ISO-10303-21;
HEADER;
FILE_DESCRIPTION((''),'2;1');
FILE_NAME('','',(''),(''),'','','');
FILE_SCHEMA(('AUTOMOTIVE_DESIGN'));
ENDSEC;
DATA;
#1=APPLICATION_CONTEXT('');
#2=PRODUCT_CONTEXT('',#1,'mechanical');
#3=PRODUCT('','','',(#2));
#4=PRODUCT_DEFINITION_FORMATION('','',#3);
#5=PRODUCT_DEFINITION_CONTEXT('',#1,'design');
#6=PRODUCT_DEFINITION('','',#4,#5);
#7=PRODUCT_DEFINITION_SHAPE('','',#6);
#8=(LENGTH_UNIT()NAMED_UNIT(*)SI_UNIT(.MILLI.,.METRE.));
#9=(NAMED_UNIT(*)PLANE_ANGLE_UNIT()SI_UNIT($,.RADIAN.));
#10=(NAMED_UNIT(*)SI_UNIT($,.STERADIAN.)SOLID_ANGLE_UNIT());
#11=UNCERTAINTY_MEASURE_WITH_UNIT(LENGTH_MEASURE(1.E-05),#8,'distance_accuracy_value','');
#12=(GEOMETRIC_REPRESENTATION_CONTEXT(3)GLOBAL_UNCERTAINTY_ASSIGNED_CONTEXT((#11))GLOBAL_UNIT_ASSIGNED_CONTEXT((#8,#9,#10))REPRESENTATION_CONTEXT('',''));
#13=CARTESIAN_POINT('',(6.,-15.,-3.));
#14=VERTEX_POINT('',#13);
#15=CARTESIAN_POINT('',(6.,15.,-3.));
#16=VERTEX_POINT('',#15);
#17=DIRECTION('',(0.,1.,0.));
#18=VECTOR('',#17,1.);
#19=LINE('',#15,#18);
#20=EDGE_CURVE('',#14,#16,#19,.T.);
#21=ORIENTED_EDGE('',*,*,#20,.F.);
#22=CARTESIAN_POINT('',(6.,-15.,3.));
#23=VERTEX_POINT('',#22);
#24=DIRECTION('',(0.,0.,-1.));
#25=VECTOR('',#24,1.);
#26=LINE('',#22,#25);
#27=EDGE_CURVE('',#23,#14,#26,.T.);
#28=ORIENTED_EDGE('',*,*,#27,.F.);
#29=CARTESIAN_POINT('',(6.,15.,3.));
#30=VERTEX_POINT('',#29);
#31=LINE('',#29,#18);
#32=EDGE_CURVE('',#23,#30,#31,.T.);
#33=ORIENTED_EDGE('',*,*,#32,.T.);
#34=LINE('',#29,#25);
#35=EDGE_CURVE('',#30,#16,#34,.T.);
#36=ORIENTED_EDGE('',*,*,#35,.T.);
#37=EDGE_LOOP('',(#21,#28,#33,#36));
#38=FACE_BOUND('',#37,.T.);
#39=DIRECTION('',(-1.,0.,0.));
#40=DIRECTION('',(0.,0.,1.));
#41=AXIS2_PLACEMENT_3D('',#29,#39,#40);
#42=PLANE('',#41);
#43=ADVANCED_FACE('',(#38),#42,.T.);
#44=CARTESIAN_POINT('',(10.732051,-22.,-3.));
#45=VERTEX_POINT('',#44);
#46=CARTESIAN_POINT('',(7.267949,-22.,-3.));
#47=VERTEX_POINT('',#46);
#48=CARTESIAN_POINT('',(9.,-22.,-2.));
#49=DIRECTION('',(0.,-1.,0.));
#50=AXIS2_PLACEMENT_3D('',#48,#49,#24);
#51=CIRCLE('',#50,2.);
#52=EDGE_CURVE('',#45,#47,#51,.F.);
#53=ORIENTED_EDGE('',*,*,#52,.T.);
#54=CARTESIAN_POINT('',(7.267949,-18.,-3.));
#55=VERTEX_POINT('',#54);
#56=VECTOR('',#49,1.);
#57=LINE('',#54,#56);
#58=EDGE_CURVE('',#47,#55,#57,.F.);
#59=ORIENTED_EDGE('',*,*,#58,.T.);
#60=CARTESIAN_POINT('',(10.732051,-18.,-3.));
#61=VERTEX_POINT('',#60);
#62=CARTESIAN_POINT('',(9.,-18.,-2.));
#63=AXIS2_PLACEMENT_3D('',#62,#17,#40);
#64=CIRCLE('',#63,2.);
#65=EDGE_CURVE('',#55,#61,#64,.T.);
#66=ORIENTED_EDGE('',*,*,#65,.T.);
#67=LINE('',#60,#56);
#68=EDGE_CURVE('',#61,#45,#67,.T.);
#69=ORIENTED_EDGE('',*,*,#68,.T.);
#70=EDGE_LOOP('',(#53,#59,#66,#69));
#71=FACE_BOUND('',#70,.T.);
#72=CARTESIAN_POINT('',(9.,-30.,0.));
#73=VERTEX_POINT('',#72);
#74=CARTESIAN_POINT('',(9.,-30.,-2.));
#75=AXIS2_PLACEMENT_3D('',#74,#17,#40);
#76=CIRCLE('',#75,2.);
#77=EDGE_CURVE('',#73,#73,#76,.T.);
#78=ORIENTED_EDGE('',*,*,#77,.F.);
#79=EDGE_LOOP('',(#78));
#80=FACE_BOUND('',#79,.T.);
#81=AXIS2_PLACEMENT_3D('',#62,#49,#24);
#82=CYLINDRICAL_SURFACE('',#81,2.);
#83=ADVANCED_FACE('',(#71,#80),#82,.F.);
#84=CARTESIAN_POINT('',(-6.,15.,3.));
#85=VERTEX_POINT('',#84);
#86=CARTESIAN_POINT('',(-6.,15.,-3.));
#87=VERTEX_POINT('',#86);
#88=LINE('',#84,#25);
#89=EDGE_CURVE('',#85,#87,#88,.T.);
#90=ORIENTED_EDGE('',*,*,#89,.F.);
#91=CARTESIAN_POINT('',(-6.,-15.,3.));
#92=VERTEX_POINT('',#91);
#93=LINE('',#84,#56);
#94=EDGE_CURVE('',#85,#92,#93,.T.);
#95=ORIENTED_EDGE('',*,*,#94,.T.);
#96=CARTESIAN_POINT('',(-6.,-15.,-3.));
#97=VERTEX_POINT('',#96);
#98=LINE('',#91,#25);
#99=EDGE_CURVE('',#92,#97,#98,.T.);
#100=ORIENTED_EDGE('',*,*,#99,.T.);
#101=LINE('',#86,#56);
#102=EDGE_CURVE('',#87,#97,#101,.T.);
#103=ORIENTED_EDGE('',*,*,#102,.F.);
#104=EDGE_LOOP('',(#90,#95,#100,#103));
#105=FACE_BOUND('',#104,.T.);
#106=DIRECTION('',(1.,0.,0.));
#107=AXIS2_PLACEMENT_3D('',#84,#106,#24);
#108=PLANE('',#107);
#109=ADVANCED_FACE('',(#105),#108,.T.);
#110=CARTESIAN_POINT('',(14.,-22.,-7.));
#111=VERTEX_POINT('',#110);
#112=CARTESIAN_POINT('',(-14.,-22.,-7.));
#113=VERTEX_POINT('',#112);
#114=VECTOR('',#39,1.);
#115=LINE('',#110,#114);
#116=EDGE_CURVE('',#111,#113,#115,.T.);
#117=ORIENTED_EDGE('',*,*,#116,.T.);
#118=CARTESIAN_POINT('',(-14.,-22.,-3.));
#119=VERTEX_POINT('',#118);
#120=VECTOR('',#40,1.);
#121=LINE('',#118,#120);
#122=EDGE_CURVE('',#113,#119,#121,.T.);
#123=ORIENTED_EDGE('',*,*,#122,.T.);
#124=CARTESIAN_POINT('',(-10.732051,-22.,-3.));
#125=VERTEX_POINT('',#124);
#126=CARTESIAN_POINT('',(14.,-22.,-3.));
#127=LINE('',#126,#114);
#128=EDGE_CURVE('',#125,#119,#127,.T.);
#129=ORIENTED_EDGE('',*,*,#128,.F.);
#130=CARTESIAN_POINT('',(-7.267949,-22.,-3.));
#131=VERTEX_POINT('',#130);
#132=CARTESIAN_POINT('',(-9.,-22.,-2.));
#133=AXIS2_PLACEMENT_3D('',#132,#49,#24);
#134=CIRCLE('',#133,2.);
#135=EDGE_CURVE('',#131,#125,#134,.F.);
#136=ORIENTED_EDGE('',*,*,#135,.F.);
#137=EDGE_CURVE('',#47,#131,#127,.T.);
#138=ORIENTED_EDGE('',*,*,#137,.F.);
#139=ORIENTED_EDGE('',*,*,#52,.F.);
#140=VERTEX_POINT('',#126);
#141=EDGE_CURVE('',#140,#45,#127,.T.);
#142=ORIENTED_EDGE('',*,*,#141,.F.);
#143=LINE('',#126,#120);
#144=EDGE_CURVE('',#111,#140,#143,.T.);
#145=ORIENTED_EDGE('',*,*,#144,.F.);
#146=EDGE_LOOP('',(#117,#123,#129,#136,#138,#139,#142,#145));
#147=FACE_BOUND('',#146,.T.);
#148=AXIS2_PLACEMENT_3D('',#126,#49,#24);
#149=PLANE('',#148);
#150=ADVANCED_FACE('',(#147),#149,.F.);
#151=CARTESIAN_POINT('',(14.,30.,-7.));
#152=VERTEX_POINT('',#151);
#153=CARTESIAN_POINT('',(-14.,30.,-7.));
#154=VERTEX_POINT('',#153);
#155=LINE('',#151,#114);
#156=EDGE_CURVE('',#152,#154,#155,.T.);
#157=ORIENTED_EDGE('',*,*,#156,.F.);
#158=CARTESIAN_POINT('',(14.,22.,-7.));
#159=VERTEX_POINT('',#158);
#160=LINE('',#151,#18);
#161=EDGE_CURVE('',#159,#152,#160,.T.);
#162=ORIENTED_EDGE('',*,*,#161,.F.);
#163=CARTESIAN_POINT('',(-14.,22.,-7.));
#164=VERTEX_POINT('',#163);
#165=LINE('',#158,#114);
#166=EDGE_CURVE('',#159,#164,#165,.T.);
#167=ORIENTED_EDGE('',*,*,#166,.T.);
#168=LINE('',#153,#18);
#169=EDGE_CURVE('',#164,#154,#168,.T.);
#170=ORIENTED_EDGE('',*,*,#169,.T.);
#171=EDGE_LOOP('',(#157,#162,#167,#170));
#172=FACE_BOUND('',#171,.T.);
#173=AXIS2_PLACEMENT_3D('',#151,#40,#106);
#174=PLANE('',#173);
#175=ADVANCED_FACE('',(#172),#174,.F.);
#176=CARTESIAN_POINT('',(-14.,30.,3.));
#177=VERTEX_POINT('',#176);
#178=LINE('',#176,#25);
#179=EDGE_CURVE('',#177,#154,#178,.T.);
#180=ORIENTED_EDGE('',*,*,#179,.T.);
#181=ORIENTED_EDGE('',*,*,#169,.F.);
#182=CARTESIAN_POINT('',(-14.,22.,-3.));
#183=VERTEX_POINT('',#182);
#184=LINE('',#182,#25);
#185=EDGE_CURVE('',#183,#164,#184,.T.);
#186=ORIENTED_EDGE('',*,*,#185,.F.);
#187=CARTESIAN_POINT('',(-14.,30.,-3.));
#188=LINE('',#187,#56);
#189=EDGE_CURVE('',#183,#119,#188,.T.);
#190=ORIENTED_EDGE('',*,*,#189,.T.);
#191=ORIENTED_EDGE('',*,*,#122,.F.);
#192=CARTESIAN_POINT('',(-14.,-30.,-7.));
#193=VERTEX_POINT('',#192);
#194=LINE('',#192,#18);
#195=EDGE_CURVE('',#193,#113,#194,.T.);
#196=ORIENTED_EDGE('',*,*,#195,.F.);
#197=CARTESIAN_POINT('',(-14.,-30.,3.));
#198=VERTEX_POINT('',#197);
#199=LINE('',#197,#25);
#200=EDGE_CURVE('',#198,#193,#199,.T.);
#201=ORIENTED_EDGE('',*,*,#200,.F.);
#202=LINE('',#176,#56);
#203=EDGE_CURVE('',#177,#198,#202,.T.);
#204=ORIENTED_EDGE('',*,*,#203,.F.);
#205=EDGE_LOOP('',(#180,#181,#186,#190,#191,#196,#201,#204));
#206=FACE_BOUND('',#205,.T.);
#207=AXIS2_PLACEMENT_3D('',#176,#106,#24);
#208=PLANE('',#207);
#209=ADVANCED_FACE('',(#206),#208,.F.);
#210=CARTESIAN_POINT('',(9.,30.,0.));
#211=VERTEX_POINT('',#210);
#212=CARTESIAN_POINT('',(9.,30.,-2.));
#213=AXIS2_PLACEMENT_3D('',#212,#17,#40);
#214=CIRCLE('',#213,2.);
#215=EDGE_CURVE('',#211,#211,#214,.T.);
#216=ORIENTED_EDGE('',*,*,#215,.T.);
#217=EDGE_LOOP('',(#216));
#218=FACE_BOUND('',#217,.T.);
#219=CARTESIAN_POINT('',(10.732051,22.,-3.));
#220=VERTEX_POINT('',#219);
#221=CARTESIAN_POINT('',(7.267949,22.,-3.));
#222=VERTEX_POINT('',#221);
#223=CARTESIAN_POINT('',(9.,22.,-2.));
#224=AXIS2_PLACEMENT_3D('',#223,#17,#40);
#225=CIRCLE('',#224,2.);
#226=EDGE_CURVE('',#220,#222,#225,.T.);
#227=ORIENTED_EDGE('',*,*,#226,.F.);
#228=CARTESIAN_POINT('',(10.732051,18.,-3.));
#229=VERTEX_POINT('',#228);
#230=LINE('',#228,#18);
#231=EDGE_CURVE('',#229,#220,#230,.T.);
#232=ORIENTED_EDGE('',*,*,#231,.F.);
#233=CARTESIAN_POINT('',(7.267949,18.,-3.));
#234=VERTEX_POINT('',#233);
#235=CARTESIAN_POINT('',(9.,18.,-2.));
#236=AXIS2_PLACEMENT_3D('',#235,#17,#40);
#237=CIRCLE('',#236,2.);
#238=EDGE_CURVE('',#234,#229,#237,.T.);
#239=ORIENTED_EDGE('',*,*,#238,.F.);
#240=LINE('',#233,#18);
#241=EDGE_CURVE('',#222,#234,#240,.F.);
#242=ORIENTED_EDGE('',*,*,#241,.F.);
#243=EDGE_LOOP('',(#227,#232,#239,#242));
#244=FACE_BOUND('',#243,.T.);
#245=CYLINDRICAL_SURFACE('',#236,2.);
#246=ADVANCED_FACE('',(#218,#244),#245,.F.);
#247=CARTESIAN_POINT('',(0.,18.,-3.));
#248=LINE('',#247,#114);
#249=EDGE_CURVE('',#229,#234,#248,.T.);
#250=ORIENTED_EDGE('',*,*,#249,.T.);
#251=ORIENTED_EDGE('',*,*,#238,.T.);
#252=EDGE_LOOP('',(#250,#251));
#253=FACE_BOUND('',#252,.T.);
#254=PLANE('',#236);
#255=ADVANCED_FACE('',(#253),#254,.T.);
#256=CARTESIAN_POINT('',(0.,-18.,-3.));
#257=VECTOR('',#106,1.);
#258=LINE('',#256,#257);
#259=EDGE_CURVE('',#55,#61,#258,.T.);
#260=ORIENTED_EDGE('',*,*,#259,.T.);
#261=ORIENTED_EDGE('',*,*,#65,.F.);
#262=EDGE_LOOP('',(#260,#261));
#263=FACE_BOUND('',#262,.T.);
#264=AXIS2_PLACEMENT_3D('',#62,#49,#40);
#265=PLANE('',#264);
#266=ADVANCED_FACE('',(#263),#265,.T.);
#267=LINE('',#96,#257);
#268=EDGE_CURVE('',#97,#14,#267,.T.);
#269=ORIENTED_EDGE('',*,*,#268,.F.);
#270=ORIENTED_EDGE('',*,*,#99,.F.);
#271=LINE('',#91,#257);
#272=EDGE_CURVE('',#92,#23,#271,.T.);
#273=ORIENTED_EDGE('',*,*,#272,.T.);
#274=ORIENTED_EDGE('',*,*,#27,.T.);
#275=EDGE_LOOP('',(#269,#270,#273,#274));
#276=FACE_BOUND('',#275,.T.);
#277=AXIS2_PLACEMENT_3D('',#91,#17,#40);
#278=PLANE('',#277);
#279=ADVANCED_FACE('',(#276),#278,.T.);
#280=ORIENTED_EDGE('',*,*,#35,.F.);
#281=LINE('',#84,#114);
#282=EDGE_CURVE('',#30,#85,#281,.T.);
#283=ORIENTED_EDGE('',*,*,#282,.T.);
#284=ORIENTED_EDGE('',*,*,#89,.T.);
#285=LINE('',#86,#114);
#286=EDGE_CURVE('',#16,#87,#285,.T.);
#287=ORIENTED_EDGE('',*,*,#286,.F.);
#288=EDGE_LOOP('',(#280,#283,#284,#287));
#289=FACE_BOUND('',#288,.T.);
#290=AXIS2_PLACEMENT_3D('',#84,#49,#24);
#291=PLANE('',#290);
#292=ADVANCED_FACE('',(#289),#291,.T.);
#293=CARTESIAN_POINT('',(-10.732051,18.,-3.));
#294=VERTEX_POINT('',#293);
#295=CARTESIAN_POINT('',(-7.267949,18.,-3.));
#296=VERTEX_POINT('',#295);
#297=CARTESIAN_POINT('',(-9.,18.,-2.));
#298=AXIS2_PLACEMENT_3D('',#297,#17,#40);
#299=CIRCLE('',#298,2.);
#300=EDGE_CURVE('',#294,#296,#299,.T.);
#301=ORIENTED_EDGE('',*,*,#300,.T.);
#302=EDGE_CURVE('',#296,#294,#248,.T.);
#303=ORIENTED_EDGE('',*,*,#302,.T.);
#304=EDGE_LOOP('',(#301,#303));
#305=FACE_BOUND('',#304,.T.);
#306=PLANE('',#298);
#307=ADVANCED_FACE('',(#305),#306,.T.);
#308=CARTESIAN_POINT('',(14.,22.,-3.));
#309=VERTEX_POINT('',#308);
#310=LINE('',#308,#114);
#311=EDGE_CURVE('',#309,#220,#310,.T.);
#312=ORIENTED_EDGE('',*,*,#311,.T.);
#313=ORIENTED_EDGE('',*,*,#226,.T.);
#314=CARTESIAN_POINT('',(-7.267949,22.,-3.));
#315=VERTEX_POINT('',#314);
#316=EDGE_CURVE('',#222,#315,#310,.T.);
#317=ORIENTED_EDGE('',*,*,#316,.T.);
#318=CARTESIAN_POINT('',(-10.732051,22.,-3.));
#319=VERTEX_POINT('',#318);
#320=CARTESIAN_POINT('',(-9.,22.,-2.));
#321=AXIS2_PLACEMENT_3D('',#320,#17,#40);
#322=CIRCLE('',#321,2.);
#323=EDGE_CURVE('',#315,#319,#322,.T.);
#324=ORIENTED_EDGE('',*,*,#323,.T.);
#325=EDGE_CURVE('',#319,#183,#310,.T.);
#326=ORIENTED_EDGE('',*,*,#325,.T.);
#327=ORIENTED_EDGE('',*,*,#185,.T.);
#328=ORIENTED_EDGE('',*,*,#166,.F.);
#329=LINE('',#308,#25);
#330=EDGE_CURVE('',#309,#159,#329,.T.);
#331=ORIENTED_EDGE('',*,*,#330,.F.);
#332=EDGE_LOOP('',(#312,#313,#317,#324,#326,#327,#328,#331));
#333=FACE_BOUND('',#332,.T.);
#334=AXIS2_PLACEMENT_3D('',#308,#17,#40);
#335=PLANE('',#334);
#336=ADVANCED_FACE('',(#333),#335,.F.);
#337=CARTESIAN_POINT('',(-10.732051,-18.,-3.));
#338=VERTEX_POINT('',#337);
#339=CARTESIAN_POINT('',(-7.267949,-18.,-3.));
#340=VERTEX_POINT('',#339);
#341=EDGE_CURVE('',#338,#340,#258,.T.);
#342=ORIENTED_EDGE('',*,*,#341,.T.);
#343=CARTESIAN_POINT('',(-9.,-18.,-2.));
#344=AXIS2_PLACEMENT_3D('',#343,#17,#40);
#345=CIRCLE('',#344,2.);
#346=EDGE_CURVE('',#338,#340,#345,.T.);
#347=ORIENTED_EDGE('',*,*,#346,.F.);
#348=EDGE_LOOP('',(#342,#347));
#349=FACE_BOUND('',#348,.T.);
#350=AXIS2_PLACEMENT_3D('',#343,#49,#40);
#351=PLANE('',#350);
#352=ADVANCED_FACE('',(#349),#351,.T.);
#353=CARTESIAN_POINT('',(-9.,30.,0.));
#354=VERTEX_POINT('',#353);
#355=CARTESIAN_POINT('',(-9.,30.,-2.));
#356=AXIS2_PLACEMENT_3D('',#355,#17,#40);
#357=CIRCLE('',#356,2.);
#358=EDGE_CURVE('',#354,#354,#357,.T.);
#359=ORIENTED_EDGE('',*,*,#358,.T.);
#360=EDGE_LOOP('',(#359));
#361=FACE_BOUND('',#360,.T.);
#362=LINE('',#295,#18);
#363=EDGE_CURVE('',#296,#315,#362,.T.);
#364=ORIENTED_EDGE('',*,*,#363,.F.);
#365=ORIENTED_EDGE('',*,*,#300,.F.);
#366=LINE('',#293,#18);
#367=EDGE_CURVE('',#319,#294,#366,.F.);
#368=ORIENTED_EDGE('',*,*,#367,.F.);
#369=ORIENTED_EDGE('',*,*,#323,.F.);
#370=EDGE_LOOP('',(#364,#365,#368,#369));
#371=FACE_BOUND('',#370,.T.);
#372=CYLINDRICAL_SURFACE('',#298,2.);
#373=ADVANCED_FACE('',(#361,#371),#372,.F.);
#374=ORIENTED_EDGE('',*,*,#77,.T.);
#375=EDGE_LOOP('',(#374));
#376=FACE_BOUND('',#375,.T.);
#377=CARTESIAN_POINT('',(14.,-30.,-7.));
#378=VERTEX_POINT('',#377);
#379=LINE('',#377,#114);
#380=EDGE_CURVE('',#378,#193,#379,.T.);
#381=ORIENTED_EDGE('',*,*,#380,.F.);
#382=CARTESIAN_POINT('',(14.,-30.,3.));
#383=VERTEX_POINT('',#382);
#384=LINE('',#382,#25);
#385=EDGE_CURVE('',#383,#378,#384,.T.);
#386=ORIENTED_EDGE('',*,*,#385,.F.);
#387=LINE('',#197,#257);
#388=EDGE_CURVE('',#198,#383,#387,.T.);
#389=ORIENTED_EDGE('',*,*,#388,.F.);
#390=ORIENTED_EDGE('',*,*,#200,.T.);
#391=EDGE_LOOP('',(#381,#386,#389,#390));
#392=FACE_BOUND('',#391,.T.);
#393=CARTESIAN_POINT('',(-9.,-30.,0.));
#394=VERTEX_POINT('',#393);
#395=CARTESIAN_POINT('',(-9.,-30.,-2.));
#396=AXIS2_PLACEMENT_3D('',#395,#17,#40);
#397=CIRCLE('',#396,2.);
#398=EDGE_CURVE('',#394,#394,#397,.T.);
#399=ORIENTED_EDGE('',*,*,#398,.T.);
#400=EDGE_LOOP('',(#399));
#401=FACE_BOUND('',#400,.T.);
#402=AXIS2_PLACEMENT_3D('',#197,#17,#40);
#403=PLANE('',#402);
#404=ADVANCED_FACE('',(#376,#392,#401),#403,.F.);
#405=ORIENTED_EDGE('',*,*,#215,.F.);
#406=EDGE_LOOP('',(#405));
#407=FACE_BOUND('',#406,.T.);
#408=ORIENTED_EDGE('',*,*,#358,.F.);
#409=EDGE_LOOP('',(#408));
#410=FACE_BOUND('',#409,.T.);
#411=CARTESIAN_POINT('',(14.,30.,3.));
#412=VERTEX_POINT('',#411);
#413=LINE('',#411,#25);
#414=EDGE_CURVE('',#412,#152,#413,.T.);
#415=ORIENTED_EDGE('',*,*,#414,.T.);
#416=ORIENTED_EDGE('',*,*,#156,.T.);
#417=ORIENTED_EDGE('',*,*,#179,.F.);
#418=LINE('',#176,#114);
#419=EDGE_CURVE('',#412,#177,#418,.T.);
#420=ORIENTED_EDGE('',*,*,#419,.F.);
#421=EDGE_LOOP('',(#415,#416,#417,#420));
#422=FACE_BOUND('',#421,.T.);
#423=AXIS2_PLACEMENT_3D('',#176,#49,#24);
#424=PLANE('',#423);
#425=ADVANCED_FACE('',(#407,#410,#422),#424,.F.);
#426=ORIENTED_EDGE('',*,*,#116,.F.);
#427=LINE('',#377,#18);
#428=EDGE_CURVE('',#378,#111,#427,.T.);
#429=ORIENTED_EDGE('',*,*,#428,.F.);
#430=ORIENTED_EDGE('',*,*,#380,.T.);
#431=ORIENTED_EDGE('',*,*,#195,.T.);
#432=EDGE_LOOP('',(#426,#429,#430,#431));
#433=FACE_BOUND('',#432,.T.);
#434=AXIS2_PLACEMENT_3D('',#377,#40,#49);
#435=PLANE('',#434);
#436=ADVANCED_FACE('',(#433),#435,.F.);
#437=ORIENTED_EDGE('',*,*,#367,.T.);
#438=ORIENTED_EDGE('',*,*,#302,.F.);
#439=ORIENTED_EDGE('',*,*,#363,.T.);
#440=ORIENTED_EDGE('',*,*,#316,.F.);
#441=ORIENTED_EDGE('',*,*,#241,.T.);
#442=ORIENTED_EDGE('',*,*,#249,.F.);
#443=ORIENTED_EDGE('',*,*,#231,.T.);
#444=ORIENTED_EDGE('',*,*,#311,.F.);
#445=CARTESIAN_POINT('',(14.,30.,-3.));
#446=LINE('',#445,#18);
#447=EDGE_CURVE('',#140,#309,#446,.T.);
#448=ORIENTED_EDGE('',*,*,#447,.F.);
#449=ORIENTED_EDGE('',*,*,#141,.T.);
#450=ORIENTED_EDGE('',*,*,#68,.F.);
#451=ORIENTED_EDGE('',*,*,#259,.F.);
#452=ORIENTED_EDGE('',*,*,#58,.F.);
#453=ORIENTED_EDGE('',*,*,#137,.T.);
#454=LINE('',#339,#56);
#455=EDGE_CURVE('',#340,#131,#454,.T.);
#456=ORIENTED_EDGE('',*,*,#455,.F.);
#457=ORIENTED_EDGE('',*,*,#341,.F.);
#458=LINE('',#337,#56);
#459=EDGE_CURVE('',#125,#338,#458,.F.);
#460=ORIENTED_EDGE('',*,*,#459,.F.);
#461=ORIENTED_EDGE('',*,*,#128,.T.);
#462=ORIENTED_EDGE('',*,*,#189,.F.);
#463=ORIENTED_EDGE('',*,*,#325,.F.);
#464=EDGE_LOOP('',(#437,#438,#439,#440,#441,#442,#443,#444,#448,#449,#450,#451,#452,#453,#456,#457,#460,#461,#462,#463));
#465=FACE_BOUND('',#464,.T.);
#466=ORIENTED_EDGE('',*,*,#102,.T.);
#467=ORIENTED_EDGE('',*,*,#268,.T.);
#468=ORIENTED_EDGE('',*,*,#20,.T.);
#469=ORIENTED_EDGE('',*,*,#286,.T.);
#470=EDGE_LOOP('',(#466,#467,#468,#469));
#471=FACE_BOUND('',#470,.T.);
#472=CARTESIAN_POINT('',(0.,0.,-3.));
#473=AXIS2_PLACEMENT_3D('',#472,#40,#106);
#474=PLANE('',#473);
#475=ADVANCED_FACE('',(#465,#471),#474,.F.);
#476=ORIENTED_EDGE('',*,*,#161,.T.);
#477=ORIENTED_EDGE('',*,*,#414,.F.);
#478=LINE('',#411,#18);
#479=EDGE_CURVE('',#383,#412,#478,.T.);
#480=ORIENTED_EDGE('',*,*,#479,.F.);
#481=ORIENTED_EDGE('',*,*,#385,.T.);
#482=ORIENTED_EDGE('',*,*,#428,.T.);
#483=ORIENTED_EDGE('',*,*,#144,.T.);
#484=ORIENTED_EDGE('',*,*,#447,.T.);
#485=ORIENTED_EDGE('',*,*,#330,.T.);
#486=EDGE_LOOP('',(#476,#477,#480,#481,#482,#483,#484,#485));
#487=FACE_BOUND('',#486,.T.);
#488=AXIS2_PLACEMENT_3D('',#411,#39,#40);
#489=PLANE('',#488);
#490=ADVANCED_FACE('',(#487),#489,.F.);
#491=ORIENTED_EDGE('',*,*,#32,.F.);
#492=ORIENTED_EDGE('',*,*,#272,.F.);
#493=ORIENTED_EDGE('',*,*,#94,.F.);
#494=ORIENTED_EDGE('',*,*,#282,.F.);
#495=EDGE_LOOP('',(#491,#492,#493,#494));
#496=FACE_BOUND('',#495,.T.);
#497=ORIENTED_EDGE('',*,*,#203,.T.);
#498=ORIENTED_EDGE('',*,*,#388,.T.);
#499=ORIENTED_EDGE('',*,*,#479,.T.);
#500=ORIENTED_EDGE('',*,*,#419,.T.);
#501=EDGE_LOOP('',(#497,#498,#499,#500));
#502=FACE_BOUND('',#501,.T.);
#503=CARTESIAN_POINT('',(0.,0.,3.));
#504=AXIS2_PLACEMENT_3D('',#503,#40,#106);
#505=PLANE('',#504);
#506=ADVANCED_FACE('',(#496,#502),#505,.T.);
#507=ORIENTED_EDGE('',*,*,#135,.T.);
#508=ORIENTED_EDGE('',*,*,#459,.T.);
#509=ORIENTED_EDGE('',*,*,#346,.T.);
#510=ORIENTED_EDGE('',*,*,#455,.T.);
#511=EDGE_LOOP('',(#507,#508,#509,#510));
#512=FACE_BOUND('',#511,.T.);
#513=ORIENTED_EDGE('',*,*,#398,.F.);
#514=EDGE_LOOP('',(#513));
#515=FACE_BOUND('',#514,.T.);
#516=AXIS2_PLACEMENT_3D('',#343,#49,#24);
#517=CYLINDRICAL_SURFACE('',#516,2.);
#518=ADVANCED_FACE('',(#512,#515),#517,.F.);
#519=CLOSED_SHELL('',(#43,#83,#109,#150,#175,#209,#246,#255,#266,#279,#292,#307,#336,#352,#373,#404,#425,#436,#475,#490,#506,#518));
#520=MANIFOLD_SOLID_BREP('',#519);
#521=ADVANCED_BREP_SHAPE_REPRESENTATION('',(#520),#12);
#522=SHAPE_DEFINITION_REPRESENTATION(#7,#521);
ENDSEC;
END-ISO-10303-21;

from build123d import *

# Parameters (mm, degrees)
SKETCH_1_W          = 28
SKETCH_1_H          = 60
SKETCH_1_W_2        = 12
SKETCH_1_H_2        = 30
EXTRUDE_1_DEPTH     = 3
SKETCH_3_W          = 4
SKETCH_3_H          = 8
EXTRUDE_2_DEPTH     = 14
SKETCH_2_R          = 2
CUT_EXTRUDE_1_DEPTH = 12


with BuildPart() as part:
    # 草图1 → 凸台-拉伸1 (new, symmetric)
    with BuildSketch(Plane.XY):
        Rectangle(SKETCH_1_W, SKETCH_1_H)
        Rectangle(SKETCH_1_W_2, SKETCH_1_H_2, mode=Mode.SUBTRACT)
    extrude(amount=EXTRUDE_1_DEPTH, both=True)

    # 草图3 → 凸台-拉伸2 (add, symmetric)
    with BuildSketch(Plane(origin=(0, 0, 0), x_dir=(0, 0, -1), z_dir=(1, 0, 0))):
        with Locations((5, -26)):
            Rectangle(SKETCH_3_W, SKETCH_3_H)
        with Locations((5, 26)):
            Rectangle(SKETCH_3_W, SKETCH_3_H)
    extrude(amount=EXTRUDE_2_DEPTH, both=True)

    # 草图2 → 切除-拉伸1 (cut)
    with BuildSketch(Plane(origin=(0, 30, 0), x_dir=(1, 0, 0), z_dir=(0, 1, 0))):
        with Locations(Location((-9, 2, 0), (0, 0, 270))):
            Circle(SKETCH_2_R)
        with Locations(Location((9, 2, 0), (0, 0, 270))):
            Circle(SKETCH_2_R)
    cut_extrude_1 = extrude(amount=-CUT_EXTRUDE_1_DEPTH, mode=Mode.SUBTRACT)

    # 镜向1: 切除-拉伸1 across plane
    add(cut_extrude_1.mirror(Plane.ZX), mode=Mode.SUBTRACT)


solid = part.part
